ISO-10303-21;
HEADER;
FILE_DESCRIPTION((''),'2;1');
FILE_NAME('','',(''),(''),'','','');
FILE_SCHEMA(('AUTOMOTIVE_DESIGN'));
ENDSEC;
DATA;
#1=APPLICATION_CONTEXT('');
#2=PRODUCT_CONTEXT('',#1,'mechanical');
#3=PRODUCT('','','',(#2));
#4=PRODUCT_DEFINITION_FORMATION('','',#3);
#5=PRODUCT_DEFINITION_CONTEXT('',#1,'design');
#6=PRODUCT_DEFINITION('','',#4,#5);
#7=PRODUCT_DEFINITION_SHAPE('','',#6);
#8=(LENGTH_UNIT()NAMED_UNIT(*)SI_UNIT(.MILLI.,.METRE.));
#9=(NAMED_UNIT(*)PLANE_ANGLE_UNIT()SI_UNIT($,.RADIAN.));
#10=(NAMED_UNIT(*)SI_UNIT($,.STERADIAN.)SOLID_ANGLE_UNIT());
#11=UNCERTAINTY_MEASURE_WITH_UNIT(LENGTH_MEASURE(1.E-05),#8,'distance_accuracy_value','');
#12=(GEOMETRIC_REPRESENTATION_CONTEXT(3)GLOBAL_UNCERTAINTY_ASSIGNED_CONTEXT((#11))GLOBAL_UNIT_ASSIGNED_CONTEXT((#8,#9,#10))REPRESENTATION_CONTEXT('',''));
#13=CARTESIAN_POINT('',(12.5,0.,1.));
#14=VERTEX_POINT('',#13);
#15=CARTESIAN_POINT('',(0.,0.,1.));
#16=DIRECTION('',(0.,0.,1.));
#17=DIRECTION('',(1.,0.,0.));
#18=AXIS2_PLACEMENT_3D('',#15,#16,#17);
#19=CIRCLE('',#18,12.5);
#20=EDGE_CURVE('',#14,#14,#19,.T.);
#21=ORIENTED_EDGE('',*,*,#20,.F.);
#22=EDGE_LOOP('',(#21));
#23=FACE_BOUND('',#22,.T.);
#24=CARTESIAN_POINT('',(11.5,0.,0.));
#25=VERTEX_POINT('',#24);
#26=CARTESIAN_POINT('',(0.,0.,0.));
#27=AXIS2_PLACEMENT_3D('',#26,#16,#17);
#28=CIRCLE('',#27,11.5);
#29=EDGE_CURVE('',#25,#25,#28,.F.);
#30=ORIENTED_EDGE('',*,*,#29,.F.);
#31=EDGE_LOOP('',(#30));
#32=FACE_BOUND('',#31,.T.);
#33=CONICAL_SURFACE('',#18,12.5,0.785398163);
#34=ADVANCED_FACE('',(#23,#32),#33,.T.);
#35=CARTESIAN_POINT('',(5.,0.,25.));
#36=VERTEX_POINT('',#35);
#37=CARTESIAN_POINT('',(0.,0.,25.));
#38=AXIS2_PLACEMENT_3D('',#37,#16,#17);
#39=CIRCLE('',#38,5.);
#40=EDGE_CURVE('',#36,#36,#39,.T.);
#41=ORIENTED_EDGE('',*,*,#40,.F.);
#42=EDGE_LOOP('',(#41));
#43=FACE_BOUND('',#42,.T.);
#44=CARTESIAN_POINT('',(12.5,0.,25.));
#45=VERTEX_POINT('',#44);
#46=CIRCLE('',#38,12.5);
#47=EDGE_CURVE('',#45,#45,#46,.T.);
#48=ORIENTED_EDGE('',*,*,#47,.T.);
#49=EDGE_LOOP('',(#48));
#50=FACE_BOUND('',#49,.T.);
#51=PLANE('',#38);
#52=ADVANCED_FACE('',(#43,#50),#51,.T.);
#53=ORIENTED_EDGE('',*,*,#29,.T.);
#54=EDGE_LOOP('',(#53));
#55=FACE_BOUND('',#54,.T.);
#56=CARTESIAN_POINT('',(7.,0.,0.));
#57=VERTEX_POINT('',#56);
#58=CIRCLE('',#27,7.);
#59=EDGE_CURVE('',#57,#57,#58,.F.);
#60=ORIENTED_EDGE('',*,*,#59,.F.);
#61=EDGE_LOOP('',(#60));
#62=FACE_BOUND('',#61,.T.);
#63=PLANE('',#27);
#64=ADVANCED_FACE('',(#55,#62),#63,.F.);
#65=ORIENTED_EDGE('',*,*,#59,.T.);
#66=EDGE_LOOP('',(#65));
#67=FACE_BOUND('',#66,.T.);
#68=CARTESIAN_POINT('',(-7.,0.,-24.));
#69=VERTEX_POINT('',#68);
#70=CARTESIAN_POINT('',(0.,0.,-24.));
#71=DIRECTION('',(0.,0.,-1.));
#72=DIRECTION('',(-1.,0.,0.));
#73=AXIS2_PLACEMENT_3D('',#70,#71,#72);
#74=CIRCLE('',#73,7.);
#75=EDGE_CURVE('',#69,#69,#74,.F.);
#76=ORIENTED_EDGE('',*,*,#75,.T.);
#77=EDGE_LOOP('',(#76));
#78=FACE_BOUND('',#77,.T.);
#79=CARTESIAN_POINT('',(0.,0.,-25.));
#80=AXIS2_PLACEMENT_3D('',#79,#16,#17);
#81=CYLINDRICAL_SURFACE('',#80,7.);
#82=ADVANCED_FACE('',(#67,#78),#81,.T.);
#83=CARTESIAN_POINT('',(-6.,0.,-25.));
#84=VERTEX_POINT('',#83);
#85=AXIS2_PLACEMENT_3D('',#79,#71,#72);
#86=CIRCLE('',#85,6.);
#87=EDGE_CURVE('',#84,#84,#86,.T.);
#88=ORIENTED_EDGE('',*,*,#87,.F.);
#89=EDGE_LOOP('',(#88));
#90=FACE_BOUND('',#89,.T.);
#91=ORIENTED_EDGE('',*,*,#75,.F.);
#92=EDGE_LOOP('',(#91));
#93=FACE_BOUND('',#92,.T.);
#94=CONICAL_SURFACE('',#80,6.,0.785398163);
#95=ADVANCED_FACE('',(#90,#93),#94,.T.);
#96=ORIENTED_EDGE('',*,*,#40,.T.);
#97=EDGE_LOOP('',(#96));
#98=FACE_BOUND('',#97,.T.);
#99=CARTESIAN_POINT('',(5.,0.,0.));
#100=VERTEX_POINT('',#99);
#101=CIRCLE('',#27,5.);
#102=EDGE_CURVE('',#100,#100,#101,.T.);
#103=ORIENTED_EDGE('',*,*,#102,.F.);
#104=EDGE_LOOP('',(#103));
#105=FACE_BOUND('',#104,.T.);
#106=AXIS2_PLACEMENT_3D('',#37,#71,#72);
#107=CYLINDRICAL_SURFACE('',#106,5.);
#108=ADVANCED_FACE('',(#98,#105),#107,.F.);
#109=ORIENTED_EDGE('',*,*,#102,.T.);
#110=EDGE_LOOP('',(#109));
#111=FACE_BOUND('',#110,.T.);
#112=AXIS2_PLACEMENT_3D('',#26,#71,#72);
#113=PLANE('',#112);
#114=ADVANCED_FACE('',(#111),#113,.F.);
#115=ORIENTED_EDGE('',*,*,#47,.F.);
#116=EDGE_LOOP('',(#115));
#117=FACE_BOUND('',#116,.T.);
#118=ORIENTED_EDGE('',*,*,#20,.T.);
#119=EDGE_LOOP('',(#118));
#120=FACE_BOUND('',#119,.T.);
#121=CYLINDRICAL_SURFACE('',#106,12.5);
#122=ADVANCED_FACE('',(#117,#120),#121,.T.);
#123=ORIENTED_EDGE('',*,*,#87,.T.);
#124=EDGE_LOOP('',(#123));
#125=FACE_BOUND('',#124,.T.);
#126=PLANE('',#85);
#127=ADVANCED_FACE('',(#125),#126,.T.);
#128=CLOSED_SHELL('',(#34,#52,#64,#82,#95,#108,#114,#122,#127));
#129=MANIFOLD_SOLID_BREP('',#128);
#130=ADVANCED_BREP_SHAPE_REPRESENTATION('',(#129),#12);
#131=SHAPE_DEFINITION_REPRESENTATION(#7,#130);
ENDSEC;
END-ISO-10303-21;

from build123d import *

# Parameters (mm, degrees)
SKETCH1_R           = 12.5
SKETCH1_R_2         = 5
BOSS_EXTRUDE1_DEPTH = 25
SKETCH3_R           = 7
BOSS_EXTRUDE2_DEPTH = 25
CHAMFER1_SIZE       = 1
CHAMFER2_SIZE       = 1


with BuildPart() as part:
    # Sketch1 → Boss-Extrude1 (new body)
    with BuildSketch(Plane.XY):
        Circle(SKETCH1_R)
        Circle(SKETCH1_R_2, mode=Mode.SUBTRACT)
    extrude(amount=BOSS_EXTRUDE1_DEPTH)

    # Sketch3 → Boss-Extrude2 (add)
    with BuildSketch(Plane(origin=(0, 0, 0), x_dir=(-1, 0, 0), z_dir=(0, 0, -1))):
        Circle(SKETCH3_R)
    extrude(amount=BOSS_EXTRUDE2_DEPTH)

    # Chamfer1
    chamfer1_edges = [part.edges().sort_by_distance(p)[0] for p in [
        (-12.5, 0, 0),
    ]]
    chamfer(chamfer1_edges, length=CHAMFER1_SIZE)

    # Chamfer2
    chamfer2_edges = [part.edges().sort_by_distance(p)[0] for p in [
        (7, 0, -25),
    ]]
    chamfer(chamfer2_edges, length=CHAMFER2_SIZE)


solid = part.part
